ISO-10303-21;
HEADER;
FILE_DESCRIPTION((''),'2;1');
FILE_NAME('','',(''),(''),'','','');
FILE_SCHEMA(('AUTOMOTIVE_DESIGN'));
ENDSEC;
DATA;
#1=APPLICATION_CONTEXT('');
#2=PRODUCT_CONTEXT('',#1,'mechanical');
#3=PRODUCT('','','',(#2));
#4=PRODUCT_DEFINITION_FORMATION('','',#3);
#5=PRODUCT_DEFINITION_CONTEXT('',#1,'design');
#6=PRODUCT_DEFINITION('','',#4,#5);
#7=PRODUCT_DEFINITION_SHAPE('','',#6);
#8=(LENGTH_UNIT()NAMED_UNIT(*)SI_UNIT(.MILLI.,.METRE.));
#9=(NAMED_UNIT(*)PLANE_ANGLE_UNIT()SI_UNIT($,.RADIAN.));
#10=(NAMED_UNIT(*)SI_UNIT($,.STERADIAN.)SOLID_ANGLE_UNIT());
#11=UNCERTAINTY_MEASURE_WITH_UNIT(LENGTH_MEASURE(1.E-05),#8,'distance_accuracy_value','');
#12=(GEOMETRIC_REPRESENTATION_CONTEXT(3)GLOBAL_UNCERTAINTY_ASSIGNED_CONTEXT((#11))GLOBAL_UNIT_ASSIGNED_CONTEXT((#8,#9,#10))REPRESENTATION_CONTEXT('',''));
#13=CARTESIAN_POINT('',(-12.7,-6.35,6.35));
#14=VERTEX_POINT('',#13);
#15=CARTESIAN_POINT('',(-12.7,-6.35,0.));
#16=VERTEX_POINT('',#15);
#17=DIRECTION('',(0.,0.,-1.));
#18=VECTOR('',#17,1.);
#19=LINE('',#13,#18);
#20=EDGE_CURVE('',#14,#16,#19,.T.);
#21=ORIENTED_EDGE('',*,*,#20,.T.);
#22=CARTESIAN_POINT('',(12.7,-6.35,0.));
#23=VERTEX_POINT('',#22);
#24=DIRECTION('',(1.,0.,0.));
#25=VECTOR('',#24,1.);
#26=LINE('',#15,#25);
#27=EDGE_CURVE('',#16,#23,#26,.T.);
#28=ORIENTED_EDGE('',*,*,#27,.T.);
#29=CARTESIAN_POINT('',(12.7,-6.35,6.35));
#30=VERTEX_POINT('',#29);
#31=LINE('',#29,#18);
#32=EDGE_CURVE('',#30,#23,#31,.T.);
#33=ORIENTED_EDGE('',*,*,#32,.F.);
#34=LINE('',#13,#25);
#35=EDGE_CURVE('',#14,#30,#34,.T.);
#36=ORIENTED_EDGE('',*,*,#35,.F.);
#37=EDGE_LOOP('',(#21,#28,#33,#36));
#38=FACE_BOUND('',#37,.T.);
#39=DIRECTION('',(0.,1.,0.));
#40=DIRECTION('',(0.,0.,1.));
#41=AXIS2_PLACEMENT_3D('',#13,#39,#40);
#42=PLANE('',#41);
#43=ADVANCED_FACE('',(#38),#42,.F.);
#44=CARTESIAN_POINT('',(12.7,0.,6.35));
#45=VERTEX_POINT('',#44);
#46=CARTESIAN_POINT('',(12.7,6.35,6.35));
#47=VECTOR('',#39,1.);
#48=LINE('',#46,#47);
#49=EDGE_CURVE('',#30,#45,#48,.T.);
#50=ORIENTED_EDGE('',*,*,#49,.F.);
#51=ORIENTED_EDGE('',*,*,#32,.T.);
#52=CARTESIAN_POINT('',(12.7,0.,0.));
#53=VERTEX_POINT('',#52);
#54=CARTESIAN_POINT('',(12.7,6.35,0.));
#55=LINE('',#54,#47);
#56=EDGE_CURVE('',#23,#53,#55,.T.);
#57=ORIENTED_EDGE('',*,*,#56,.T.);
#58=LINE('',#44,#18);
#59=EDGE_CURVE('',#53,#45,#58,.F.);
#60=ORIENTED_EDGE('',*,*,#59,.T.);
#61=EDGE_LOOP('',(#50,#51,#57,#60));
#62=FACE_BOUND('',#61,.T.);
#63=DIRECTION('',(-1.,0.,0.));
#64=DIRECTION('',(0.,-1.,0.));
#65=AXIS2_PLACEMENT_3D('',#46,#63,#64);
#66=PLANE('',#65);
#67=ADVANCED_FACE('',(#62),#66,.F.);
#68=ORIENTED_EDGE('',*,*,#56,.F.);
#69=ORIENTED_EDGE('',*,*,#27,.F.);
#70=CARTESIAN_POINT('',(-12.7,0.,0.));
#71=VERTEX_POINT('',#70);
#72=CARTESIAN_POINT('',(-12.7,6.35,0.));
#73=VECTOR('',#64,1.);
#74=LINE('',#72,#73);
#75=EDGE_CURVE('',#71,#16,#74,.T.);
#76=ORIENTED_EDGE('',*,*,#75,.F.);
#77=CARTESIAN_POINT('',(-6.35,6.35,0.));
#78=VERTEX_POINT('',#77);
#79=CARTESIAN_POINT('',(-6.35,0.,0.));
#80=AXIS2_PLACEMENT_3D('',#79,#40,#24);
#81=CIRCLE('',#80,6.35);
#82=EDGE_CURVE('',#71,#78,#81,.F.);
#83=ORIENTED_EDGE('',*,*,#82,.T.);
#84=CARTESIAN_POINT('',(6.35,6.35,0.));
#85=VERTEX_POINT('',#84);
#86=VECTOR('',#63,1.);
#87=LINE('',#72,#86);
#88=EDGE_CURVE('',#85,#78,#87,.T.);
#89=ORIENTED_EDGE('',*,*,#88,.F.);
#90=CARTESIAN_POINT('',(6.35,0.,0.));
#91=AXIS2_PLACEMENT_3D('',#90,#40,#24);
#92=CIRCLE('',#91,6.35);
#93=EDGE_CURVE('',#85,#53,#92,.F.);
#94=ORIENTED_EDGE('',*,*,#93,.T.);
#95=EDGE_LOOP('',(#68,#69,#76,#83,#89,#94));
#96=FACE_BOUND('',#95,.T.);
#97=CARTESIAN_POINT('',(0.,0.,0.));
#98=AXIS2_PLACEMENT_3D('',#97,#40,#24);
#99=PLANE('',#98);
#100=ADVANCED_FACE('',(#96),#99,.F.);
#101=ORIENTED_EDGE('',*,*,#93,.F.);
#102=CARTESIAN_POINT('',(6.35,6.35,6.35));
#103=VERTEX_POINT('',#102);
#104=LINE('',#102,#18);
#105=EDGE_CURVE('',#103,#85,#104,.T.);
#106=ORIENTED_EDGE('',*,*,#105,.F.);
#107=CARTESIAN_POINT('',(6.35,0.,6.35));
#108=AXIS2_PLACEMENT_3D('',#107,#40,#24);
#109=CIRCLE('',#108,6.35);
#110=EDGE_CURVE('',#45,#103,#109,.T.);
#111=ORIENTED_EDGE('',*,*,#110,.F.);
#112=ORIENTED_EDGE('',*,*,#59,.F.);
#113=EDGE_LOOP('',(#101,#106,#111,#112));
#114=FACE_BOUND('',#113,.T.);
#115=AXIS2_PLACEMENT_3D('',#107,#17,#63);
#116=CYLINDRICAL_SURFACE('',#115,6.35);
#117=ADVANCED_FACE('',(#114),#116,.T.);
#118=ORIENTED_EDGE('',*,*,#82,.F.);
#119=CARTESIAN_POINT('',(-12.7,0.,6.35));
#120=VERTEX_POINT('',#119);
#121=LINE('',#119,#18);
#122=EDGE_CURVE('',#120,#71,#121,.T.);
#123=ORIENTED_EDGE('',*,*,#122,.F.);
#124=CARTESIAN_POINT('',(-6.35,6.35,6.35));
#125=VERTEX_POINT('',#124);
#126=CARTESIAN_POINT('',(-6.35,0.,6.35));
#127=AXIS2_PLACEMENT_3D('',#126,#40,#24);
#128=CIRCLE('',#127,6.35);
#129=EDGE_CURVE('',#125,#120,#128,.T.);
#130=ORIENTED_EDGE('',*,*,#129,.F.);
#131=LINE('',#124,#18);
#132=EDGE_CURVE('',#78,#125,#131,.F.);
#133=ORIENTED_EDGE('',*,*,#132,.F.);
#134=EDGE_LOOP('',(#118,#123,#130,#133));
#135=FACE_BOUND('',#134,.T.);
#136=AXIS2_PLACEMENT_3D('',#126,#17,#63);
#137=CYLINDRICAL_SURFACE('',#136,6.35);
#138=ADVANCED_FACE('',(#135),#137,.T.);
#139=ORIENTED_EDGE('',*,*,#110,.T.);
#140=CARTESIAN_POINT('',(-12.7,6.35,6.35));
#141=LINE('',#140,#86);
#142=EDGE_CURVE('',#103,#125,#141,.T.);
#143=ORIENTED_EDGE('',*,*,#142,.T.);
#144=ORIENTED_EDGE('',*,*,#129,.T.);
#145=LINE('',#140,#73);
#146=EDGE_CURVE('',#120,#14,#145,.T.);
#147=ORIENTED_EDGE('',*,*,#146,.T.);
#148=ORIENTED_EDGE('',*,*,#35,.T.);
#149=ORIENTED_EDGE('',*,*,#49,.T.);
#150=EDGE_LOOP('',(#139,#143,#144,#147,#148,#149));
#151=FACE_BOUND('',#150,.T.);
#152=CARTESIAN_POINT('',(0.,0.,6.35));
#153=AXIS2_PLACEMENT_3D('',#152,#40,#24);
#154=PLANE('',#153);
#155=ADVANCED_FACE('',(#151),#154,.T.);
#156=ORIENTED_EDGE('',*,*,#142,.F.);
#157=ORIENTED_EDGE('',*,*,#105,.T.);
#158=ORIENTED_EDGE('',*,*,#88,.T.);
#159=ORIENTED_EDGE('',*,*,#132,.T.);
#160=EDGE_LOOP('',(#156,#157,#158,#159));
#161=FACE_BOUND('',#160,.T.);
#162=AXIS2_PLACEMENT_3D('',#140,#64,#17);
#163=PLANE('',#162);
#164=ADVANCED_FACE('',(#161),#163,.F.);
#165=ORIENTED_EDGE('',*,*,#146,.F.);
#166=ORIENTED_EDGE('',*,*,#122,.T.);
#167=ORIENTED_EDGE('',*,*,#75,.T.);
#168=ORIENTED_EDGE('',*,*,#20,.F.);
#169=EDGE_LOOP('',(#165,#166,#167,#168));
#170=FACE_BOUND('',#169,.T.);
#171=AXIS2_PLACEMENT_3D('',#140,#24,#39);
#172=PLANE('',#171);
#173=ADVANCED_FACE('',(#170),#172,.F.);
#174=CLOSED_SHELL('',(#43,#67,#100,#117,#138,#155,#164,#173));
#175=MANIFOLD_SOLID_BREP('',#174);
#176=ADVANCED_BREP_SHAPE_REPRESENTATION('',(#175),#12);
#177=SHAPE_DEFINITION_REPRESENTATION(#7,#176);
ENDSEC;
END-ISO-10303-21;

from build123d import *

# Parameters (mm, degrees)
ESQUISSE2_W        = 25.4
ESQUISSE2_H        = 12.7
BOSS_EXTRU_1_DEPTH = 6.35
CONG_1_R           = 6.35


with BuildPart() as part:
    # Esquisse2 → Boss.-Extru.1 (new body)
    with BuildSketch(Plane.XY):
        Rectangle(ESQUISSE2_W, ESQUISSE2_H)
    extrude(amount=BOSS_EXTRU_1_DEPTH)

    # Congé1
    cong_1_edges = [part.edges().sort_by_distance(p)[0] for p in [
        (-12.7, 6.35, 3.175),
        (12.7, 6.35, 3.175),
    ]]
    fillet(cong_1_edges, radius=CONG_1_R)


solid = part.part
